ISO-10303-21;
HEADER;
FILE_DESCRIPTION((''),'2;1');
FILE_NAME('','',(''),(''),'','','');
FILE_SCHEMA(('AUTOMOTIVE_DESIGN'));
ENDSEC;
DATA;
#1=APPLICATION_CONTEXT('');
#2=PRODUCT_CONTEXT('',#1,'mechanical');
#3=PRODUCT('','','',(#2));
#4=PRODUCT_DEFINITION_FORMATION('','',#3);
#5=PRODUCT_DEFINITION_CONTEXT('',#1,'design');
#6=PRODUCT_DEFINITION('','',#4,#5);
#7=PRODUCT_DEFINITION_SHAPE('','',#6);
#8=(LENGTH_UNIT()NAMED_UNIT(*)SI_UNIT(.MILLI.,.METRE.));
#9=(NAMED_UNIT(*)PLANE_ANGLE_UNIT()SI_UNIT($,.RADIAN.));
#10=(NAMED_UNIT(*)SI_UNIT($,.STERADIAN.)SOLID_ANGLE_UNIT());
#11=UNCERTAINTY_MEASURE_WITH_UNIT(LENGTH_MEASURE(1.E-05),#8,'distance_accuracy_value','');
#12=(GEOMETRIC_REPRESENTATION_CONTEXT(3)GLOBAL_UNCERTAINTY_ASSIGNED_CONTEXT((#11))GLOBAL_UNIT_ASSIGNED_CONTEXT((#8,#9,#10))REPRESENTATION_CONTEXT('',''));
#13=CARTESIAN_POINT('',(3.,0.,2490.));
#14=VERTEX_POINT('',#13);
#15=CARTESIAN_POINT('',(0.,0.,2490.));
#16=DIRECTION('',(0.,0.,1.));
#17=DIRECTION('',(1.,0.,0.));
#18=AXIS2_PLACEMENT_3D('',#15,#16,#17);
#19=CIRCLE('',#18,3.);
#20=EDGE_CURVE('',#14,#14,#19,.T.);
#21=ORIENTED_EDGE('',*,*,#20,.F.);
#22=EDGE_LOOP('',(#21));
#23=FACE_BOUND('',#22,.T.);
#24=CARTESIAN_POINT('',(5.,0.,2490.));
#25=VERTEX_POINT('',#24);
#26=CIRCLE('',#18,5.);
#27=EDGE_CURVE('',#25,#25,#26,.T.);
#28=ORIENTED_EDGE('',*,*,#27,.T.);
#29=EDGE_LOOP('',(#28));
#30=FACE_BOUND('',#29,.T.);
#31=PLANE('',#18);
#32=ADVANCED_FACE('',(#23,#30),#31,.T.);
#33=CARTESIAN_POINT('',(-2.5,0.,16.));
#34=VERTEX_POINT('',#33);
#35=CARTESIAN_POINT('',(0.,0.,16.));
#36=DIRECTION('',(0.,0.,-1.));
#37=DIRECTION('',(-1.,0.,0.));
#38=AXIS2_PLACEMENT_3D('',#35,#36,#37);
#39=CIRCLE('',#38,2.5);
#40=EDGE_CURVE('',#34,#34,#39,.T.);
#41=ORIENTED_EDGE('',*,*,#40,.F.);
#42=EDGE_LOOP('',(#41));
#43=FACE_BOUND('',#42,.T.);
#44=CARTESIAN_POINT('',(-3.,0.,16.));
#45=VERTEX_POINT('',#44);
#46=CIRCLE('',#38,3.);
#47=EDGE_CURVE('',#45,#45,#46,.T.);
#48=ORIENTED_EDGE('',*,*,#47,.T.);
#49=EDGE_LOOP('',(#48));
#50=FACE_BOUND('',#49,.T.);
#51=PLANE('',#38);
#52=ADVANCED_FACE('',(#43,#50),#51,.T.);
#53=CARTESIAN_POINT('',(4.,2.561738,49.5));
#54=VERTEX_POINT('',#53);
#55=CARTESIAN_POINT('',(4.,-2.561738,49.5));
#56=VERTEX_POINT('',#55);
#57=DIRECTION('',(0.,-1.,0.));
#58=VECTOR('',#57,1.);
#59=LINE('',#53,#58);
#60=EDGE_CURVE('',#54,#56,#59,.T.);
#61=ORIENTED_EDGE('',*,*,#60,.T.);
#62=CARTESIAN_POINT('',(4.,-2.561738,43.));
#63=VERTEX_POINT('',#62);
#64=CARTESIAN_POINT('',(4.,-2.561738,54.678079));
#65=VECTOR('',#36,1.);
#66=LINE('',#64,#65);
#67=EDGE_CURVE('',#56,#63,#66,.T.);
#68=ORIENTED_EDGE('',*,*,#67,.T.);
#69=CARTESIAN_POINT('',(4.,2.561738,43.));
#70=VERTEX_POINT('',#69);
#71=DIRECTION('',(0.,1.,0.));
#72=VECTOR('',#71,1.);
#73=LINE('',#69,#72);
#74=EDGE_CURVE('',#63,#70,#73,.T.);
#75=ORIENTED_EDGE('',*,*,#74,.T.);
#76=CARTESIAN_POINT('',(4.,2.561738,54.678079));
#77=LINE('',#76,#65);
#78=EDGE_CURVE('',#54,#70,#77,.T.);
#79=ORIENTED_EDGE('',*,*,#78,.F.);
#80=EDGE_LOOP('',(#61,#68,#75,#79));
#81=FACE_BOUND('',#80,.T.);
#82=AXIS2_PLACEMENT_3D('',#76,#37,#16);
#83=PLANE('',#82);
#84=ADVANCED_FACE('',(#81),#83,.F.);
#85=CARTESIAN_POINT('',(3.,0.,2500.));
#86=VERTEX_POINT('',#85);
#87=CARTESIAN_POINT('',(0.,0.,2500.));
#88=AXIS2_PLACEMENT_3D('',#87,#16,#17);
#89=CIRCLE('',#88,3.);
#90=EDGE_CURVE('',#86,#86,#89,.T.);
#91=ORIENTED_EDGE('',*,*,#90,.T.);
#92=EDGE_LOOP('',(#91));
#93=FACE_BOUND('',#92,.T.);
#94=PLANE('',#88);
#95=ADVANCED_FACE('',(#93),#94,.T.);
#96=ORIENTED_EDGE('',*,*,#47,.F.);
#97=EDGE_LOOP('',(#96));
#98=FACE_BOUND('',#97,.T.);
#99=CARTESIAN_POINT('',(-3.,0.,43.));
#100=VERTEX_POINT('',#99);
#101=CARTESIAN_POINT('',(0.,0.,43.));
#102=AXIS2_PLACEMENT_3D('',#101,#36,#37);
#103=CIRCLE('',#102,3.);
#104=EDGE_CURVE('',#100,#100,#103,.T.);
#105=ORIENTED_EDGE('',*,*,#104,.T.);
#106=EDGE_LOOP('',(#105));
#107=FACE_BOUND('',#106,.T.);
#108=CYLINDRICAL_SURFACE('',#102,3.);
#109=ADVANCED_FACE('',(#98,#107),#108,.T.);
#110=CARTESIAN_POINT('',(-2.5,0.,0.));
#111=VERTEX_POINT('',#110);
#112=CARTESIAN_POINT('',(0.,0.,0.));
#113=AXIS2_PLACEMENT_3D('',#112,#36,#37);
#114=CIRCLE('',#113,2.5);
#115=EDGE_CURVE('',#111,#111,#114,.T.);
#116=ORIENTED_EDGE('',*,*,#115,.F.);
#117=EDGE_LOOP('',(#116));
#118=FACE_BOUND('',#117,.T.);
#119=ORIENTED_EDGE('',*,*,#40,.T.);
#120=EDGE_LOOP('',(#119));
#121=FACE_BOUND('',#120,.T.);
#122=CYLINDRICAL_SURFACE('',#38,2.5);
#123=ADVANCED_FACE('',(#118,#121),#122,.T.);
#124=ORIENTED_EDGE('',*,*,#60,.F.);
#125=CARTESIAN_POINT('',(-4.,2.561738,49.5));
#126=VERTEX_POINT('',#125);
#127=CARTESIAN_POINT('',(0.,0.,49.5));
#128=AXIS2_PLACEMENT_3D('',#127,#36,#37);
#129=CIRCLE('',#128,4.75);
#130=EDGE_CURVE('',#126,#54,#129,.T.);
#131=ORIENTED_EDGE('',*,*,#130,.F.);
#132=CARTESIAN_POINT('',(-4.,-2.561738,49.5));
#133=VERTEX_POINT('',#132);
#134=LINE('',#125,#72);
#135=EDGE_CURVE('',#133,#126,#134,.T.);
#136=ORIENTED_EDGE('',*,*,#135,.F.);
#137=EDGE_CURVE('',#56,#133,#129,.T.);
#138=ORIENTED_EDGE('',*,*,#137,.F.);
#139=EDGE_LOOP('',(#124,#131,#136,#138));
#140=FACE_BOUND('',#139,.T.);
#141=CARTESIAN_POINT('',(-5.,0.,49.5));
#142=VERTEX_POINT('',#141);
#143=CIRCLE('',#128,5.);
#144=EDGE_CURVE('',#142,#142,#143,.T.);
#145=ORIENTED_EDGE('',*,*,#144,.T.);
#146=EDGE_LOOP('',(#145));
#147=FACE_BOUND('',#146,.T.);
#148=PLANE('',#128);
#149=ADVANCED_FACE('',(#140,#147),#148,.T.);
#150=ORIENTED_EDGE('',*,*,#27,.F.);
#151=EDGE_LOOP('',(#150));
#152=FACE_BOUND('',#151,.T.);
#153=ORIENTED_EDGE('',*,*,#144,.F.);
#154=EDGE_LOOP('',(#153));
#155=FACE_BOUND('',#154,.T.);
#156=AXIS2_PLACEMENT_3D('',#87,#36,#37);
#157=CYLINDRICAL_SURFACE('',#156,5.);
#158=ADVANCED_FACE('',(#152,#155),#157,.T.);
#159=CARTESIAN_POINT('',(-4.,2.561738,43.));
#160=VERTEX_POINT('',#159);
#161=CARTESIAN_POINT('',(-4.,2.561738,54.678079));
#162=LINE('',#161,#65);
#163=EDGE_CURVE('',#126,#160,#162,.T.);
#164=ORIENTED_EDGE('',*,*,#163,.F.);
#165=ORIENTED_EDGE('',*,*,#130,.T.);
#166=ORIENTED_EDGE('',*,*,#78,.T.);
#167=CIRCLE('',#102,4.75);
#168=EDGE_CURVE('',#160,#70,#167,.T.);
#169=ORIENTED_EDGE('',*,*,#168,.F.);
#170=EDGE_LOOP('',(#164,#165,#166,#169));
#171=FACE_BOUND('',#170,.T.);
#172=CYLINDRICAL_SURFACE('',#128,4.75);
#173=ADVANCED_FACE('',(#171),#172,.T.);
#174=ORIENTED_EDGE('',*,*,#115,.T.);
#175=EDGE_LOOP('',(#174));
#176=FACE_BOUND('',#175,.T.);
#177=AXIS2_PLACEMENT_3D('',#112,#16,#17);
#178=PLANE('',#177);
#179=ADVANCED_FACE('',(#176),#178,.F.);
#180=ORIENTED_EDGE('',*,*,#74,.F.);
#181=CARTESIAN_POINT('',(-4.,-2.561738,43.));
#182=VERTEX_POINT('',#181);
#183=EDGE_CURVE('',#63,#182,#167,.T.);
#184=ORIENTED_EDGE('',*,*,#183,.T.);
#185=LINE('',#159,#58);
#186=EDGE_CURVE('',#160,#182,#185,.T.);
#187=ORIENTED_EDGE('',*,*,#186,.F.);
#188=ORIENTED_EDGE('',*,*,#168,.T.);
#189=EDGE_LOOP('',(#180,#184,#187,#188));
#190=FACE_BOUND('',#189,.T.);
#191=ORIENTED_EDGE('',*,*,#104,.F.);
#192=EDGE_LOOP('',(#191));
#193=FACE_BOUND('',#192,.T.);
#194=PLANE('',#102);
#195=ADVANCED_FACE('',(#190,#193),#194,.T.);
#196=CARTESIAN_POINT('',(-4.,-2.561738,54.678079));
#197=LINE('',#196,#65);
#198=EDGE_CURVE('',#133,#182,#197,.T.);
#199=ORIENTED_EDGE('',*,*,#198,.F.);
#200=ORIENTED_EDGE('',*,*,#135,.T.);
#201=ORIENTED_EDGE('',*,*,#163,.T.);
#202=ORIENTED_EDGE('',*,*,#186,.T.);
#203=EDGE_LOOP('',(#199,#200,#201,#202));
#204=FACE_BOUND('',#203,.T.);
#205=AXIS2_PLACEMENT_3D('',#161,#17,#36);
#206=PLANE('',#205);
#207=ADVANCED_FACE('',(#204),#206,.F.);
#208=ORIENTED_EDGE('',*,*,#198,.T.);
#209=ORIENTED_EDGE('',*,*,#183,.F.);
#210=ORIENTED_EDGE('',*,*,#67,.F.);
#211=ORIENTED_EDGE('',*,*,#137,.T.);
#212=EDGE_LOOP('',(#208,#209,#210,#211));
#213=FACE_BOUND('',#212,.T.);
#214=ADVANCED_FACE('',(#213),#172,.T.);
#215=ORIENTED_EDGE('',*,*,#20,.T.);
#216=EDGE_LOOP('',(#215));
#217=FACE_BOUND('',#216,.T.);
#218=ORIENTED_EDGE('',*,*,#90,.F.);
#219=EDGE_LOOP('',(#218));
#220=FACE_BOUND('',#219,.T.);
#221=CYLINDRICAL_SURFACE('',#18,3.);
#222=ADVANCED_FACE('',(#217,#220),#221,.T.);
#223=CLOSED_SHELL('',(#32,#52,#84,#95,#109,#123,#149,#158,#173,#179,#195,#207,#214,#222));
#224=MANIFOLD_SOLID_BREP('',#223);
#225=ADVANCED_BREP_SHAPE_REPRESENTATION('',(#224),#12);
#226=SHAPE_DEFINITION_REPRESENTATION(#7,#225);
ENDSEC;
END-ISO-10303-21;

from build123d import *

# Parameters (mm, degrees)
SKETCH1_R           = 5
BOSS_EXTRUDE1_DEPTH = 2500
SKETCH2_R           = 5
SKETCH2_R_2         = 4.75
CUT_EXTRUDE1_DEPTH  = 49.5
SKETCH3_R           = 4.75
SKETCH3_R_2         = 3
CUT_EXTRUDE2_DEPTH  = 43
CUT_EXTRUDE3_DEPTH  = 6.5
SKETCH6_R           = 3
SKETCH6_R_2         = 2.5
CUT_EXTRUDE4_DEPTH  = 16
CUT_EXTRUDE5_START  = -10
SKETCH7_R           = 5
SKETCH7_R_2         = 3
CUT_EXTRUDE5_DEPTH  = 10


with BuildPart() as part:
    # Sketch1 → Boss-Extrude1 (new body)
    with BuildSketch(Plane.XY):
        Circle(SKETCH1_R)
    extrude(amount=BOSS_EXTRUDE1_DEPTH)

    # Sketch2 → Cut-Extrude1 (cut)
    with BuildSketch(Plane(origin=(0, 0, 0), x_dir=(-1, 0, 0), z_dir=(0, 0, -1))):
        Circle(SKETCH2_R)
        Circle(SKETCH2_R_2, mode=Mode.SUBTRACT)
    extrude(amount=-CUT_EXTRUDE1_DEPTH, mode=Mode.SUBTRACT)

    # Sketch3 → Cut-Extrude2 (cut)
    with BuildSketch(Plane(origin=(0, 0, 0), x_dir=(-1, 0, 0), z_dir=(0, 0, -1))):
        Circle(SKETCH3_R)
        Circle(SKETCH3_R_2, mode=Mode.SUBTRACT)
    extrude(amount=-CUT_EXTRUDE2_DEPTH, mode=Mode.SUBTRACT)

    # Sketch5 → Cut-Extrude3 (cut)
    with BuildSketch(Plane(origin=(0, 0, 43), x_dir=(-1, 0, 0), z_dir=(0, 0, -1))):
        with BuildLine():
            Line((-4, 2.561737691), (-4, -2.561737691))
            ThreePointArc((-4, -2.561737691), (-4.75, 0), (-4, 2.561737691))
        make_face()
        with BuildLine():
            Line((4, 2.561737691), (4, -2.561737691))
            ThreePointArc((4, -2.561737691), (4.75, 0), (4, 2.561737691))
        make_face()
    extrude(amount=-CUT_EXTRUDE3_DEPTH, mode=Mode.SUBTRACT)

    # Sketch6 → Cut-Extrude4 (cut)
    with BuildSketch(Plane(origin=(0, 0, 0), x_dir=(-1, 0, 0), z_dir=(0, 0, -1))):
        Circle(SKETCH6_R)
        Circle(SKETCH6_R_2, mode=Mode.SUBTRACT)
    extrude(amount=-CUT_EXTRUDE4_DEPTH, mode=Mode.SUBTRACT)

    # Sketch7 → Cut-Extrude5 (cut)
    with BuildSketch(Plane.XY.offset(2500).offset(CUT_EXTRUDE5_START)):
        with Locations(Location((0, 0, 0), (0, 0, 180))):
            Circle(SKETCH7_R)
        with Locations(Location((0, 0, 0), (0, 0, 180))):
            Circle(SKETCH7_R_2, mode=Mode.SUBTRACT)
    extrude(amount=CUT_EXTRUDE5_DEPTH, mode=Mode.SUBTRACT)


solid = part.part
